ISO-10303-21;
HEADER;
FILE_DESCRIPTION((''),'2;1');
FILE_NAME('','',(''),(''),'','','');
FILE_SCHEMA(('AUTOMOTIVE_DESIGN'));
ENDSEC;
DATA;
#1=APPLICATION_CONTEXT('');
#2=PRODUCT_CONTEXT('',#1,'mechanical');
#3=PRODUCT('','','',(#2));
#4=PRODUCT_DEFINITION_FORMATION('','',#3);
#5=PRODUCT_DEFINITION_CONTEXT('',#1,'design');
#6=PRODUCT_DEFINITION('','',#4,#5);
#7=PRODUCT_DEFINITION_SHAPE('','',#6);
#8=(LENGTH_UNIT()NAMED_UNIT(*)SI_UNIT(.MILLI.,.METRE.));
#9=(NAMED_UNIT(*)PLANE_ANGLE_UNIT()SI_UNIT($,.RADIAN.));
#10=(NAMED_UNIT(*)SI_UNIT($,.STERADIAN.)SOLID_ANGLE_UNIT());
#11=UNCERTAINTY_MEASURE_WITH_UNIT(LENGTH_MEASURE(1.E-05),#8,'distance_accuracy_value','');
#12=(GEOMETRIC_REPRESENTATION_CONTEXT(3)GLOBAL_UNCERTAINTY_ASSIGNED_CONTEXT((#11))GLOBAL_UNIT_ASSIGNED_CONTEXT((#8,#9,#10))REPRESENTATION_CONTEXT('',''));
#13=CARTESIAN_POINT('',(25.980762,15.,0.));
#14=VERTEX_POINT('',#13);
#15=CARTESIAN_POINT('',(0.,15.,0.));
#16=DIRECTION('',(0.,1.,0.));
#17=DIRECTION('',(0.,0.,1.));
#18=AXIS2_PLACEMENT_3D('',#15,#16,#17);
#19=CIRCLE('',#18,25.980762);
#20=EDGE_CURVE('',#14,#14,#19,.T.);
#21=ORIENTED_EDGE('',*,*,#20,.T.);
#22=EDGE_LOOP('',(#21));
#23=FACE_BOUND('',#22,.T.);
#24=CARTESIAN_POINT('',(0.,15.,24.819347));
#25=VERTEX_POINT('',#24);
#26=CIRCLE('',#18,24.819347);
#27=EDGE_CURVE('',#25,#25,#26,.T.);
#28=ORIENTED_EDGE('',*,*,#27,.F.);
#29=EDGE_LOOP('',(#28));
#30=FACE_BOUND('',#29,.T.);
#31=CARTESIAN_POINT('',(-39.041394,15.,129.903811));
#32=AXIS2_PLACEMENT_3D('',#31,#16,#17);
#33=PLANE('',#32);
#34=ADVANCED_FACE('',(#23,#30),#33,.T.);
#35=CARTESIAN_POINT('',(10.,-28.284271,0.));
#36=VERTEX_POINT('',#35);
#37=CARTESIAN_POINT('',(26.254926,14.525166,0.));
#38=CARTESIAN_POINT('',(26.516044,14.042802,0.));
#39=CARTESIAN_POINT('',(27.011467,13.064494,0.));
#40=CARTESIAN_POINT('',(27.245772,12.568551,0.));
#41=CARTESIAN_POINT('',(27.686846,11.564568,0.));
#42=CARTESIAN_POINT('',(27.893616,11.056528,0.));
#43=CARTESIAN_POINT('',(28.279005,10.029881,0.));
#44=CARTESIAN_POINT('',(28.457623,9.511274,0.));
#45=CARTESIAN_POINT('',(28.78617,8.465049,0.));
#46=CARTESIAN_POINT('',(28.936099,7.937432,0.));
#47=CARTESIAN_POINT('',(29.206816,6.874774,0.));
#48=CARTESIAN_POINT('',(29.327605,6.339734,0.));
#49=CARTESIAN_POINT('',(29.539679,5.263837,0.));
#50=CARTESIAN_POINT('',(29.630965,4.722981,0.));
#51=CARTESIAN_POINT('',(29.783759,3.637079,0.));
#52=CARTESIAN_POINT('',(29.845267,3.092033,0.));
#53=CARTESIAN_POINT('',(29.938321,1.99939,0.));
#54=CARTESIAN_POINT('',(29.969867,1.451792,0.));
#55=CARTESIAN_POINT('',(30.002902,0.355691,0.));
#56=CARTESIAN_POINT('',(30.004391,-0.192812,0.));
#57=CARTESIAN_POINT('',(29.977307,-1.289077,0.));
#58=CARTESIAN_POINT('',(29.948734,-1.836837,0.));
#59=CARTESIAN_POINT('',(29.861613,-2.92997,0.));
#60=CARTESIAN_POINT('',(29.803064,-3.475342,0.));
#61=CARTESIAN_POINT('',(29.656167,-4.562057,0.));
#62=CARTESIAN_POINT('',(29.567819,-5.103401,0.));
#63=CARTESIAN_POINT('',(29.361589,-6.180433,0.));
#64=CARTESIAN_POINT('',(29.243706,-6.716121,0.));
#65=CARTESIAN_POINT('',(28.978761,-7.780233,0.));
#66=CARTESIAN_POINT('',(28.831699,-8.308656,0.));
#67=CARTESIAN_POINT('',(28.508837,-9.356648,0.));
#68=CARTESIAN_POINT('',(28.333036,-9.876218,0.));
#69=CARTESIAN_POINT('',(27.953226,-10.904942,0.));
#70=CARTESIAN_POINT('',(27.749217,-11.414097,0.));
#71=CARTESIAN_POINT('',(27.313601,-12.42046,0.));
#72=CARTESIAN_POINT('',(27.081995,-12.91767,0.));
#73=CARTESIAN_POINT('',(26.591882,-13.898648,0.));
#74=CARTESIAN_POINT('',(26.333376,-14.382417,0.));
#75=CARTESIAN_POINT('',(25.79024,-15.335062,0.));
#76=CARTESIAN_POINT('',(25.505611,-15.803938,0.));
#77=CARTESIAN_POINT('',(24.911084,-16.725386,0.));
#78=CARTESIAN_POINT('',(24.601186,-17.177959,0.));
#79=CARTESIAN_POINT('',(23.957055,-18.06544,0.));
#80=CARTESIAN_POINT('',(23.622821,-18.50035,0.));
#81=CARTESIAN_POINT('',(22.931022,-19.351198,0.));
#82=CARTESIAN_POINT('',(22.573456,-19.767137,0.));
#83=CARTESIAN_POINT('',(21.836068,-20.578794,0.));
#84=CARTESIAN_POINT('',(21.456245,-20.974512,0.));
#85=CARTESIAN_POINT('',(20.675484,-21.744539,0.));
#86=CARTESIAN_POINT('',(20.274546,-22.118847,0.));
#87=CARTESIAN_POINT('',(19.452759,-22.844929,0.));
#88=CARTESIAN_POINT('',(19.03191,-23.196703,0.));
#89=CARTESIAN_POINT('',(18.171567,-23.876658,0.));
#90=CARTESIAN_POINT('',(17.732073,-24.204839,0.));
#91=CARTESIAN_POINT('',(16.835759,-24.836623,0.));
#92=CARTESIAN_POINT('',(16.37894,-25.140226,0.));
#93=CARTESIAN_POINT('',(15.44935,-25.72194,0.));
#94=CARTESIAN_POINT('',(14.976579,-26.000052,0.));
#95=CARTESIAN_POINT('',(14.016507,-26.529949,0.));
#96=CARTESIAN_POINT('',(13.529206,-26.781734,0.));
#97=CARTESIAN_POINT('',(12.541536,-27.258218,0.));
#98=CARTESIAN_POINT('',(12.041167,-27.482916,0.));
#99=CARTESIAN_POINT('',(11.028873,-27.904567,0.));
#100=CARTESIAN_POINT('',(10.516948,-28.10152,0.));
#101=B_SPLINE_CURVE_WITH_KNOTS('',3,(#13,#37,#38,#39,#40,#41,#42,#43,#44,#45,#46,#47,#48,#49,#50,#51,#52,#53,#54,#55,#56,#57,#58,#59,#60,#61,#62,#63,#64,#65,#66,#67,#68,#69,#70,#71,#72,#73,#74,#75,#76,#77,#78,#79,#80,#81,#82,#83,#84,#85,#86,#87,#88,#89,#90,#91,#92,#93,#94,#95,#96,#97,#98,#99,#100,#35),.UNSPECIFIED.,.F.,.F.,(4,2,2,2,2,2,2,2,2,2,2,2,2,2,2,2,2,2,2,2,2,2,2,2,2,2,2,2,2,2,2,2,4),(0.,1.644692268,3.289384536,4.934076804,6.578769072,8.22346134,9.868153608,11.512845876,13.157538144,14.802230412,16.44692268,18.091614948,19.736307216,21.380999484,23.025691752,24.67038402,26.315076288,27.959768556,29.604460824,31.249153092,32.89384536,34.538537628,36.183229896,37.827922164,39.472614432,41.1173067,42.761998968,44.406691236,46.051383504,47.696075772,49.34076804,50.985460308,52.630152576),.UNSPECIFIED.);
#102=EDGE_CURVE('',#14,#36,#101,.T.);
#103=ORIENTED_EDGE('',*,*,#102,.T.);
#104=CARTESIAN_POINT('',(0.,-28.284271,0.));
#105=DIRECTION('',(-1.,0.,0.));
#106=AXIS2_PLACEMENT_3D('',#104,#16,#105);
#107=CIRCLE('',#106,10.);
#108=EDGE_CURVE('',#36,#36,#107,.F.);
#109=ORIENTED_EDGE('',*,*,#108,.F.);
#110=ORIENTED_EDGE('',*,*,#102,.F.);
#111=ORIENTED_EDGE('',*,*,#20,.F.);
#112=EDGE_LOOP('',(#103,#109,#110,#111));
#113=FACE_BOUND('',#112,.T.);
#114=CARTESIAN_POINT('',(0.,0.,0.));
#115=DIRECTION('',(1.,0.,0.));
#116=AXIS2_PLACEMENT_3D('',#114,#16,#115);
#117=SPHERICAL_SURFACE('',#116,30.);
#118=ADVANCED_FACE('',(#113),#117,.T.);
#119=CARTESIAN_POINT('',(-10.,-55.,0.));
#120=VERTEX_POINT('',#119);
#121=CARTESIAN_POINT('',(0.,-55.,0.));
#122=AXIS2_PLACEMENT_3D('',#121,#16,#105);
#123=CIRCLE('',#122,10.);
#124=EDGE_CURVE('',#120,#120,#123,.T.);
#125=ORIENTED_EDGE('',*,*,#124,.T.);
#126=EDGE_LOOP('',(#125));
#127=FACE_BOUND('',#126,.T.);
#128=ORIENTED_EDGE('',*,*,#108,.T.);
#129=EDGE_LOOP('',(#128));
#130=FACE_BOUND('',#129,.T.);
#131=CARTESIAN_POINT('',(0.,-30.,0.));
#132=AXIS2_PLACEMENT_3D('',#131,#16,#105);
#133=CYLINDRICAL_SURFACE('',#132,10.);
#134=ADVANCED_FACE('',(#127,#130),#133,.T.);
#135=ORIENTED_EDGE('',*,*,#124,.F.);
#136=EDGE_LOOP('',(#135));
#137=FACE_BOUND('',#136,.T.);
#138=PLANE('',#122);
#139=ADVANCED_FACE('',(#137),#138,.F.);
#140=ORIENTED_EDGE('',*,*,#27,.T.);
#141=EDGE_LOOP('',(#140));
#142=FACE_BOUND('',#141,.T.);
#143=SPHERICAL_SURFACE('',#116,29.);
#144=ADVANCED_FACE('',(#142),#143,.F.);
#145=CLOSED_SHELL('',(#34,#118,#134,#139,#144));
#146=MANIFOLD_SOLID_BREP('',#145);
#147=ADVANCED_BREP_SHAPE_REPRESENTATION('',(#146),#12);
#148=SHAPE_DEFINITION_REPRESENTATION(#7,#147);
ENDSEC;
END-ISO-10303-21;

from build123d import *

# Parameters (mm, degrees)
CUT_EXTRUDE1_DEPTH      = 52.961524227
CUT_EXTRUDE1_DEPTH_BACK = 52.961524227
SHELL1_T                = -1


with BuildPart() as part:
    # Sketch1 → Revolve1 (revolve)
    with BuildSketch(Plane.XY):
        with BuildLine():
            Line((0, 30), (0, -30))
            ThreePointArc((0, -30), (30, 0), (0, 30))
        make_face()
    revolve(axis=Axis((0, 30, 0), (0, -1, 0)))

    # Sketch2 → Cut-Extrude1 (cut, two sides: drawn at the far end of the back side and taken through both)
    with BuildSketch(Plane.XY.offset(-CUT_EXTRUDE1_DEPTH_BACK)):
        Polygon((-219.842197388, 15), (-39.041394336, 15), (42.58256389, 15), (223.383366942, 15), (223.383366942, 376.601606104), (-219.842197388, 376.601606104), align=None)
    extrude(amount=CUT_EXTRUDE1_DEPTH + CUT_EXTRUDE1_DEPTH_BACK, mode=Mode.SUBTRACT)

    # Shell1
    shell1_openings = [part.faces().sort_by_distance(p)[0] for p in [
        (0, 15, 0),
    ]]
    offset(amount=SHELL1_T, openings=shell1_openings, kind=Kind.INTERSECTION)

    # Sketch3 → Revolve2 (revolve)
    with BuildSketch(Plane.XY):
        with BuildLine():
            Line((0, -30), (0, -55))
            Line((0, -55), (10, -55))
            Line((10, -55), (10, -28.284271247))
            ThreePointArc((10, -28.284271247), (5.073059362, -29.56795679), (0, -30))
        make_face()
    revolve(axis=Axis((0, -30, 0), (0, -1, 0)))


solid = part.part
